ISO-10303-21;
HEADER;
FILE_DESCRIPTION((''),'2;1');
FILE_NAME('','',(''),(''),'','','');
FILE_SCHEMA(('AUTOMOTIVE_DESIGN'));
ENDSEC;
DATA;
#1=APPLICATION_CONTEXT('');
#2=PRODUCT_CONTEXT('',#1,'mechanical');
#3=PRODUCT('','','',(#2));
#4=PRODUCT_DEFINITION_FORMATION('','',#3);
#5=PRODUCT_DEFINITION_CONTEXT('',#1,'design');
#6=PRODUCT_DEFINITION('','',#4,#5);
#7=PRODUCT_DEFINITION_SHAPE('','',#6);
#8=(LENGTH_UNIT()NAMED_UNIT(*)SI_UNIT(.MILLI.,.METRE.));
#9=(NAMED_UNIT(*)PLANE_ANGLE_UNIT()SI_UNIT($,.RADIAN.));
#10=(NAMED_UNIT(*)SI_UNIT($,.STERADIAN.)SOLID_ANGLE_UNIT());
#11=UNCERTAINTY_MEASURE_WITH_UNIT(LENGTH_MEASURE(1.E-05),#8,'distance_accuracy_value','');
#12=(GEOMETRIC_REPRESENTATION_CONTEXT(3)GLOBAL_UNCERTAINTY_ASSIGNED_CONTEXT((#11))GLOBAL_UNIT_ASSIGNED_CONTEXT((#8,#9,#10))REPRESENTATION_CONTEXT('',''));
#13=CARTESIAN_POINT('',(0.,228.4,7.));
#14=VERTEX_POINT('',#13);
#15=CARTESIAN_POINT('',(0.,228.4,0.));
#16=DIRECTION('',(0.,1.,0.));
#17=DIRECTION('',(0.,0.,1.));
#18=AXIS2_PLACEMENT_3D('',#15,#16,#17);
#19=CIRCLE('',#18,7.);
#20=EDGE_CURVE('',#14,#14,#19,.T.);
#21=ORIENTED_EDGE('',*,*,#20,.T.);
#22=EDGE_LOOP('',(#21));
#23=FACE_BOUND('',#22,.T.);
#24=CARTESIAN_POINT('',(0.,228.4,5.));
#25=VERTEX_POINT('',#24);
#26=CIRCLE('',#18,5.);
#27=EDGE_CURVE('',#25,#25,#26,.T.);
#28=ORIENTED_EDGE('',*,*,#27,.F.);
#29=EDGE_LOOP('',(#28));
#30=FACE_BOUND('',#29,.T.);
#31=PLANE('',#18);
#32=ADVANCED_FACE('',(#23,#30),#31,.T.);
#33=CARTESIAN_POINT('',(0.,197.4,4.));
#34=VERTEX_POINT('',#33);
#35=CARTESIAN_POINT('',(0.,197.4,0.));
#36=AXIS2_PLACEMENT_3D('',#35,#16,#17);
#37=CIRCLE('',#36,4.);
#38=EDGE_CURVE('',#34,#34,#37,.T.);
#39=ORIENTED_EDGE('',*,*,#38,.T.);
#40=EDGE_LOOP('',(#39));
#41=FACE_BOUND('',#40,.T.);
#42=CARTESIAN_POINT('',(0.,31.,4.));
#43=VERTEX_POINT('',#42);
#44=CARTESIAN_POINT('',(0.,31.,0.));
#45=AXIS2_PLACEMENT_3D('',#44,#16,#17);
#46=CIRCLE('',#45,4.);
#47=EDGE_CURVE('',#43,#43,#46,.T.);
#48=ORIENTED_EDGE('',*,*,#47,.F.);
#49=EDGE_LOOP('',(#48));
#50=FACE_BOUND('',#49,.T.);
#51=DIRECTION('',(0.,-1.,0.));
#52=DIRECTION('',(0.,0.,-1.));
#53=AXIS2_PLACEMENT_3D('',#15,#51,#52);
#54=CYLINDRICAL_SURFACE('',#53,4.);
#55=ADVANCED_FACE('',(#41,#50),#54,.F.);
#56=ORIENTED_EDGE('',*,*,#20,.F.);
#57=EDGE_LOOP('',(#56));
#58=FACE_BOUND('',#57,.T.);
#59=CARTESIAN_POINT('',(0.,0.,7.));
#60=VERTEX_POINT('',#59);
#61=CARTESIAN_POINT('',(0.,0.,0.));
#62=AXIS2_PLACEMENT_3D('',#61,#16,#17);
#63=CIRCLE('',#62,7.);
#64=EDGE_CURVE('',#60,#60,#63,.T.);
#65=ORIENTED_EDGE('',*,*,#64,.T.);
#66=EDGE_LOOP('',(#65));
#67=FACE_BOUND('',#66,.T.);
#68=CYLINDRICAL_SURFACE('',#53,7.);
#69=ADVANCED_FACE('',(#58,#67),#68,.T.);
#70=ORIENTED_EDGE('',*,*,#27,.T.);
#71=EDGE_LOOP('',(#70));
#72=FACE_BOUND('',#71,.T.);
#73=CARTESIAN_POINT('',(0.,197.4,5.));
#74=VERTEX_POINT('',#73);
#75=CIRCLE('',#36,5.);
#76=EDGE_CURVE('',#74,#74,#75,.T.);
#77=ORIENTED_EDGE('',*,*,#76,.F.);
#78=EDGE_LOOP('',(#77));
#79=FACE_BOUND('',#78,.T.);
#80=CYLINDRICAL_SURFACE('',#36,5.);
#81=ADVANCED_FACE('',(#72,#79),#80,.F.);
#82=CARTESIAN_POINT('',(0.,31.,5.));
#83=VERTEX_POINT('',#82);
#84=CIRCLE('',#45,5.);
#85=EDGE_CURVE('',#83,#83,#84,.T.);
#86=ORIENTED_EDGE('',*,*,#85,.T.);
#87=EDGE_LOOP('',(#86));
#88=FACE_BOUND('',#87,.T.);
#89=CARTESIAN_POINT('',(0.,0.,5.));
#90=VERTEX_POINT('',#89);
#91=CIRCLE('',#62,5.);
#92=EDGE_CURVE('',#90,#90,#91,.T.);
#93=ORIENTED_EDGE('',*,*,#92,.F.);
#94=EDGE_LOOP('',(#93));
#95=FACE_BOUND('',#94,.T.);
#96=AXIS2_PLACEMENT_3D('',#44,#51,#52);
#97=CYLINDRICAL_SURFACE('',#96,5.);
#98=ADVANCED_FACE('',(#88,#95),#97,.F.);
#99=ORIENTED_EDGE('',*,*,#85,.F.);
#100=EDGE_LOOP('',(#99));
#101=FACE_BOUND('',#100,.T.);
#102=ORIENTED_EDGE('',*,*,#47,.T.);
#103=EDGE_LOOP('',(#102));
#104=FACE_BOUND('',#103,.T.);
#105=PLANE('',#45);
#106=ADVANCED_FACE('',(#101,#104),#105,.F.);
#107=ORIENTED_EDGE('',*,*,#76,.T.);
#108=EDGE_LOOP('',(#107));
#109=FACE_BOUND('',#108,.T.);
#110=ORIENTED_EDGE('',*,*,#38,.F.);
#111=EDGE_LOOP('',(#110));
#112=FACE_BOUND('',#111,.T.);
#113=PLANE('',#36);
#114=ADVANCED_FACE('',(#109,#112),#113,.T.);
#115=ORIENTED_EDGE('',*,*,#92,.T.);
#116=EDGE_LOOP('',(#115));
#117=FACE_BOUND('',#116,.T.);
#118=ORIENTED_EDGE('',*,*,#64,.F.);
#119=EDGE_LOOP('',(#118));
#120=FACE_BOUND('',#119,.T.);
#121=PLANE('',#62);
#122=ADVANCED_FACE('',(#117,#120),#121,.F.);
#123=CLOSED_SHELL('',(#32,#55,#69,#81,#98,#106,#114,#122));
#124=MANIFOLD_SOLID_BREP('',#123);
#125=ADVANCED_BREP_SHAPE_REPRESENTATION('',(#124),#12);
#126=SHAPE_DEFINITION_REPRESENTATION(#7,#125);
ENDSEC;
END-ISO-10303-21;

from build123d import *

# Parameters (mm, degrees)
SKETCH1_R           = 7
SKETCH1_R_2         = 4
BOSS_EXTRUDE1_DEPTH = 228.4
SKETCH2_R           = 5
CUT_EXTRUDE1_DEPTH  = 31
CUT_EXTRUDE2_START  = -197.4
SKETCH2_2_R         = 5
CUT_EXTRUDE2_DEPTH  = 31


with BuildPart() as part:
    # Sketch1 → Boss-Extrude1 (new body)
    with BuildSketch(Plane(origin=(0, 0, 0), x_dir=(1, 0, 0), z_dir=(0, 1, 0))):
        with Locations(Location((0, 0, 0), (0, 0, 270))):
            Circle(SKETCH1_R)
        with Locations(Location((0, 0, 0), (0, 0, 270))):
            Circle(SKETCH1_R_2, mode=Mode.SUBTRACT)
    extrude(amount=BOSS_EXTRUDE1_DEPTH)

    # Sketch2 → Cut-Extrude1 (cut)
    with BuildSketch(Plane(origin=(0, 228.4, 0), x_dir=(1, 0, 0), z_dir=(0, 1, 0))):
        with Locations(Location((0, 0, 0), (0, 0, 270))):
            Circle(SKETCH2_R)
    extrude(amount=-CUT_EXTRUDE1_DEPTH, mode=Mode.SUBTRACT)

    # Sketch2<2> → Cut-Extrude2 (cut)
    with BuildSketch(Plane(origin=(0, 228.4, 0), x_dir=(1, 0, 0), z_dir=(0, 1, 0)).offset(CUT_EXTRUDE2_START)):
        with Locations(Location((0, 0, 0), (0, 0, 270))):
            Circle(SKETCH2_2_R)
    extrude(amount=-CUT_EXTRUDE2_DEPTH, mode=Mode.SUBTRACT)


solid = part.part
